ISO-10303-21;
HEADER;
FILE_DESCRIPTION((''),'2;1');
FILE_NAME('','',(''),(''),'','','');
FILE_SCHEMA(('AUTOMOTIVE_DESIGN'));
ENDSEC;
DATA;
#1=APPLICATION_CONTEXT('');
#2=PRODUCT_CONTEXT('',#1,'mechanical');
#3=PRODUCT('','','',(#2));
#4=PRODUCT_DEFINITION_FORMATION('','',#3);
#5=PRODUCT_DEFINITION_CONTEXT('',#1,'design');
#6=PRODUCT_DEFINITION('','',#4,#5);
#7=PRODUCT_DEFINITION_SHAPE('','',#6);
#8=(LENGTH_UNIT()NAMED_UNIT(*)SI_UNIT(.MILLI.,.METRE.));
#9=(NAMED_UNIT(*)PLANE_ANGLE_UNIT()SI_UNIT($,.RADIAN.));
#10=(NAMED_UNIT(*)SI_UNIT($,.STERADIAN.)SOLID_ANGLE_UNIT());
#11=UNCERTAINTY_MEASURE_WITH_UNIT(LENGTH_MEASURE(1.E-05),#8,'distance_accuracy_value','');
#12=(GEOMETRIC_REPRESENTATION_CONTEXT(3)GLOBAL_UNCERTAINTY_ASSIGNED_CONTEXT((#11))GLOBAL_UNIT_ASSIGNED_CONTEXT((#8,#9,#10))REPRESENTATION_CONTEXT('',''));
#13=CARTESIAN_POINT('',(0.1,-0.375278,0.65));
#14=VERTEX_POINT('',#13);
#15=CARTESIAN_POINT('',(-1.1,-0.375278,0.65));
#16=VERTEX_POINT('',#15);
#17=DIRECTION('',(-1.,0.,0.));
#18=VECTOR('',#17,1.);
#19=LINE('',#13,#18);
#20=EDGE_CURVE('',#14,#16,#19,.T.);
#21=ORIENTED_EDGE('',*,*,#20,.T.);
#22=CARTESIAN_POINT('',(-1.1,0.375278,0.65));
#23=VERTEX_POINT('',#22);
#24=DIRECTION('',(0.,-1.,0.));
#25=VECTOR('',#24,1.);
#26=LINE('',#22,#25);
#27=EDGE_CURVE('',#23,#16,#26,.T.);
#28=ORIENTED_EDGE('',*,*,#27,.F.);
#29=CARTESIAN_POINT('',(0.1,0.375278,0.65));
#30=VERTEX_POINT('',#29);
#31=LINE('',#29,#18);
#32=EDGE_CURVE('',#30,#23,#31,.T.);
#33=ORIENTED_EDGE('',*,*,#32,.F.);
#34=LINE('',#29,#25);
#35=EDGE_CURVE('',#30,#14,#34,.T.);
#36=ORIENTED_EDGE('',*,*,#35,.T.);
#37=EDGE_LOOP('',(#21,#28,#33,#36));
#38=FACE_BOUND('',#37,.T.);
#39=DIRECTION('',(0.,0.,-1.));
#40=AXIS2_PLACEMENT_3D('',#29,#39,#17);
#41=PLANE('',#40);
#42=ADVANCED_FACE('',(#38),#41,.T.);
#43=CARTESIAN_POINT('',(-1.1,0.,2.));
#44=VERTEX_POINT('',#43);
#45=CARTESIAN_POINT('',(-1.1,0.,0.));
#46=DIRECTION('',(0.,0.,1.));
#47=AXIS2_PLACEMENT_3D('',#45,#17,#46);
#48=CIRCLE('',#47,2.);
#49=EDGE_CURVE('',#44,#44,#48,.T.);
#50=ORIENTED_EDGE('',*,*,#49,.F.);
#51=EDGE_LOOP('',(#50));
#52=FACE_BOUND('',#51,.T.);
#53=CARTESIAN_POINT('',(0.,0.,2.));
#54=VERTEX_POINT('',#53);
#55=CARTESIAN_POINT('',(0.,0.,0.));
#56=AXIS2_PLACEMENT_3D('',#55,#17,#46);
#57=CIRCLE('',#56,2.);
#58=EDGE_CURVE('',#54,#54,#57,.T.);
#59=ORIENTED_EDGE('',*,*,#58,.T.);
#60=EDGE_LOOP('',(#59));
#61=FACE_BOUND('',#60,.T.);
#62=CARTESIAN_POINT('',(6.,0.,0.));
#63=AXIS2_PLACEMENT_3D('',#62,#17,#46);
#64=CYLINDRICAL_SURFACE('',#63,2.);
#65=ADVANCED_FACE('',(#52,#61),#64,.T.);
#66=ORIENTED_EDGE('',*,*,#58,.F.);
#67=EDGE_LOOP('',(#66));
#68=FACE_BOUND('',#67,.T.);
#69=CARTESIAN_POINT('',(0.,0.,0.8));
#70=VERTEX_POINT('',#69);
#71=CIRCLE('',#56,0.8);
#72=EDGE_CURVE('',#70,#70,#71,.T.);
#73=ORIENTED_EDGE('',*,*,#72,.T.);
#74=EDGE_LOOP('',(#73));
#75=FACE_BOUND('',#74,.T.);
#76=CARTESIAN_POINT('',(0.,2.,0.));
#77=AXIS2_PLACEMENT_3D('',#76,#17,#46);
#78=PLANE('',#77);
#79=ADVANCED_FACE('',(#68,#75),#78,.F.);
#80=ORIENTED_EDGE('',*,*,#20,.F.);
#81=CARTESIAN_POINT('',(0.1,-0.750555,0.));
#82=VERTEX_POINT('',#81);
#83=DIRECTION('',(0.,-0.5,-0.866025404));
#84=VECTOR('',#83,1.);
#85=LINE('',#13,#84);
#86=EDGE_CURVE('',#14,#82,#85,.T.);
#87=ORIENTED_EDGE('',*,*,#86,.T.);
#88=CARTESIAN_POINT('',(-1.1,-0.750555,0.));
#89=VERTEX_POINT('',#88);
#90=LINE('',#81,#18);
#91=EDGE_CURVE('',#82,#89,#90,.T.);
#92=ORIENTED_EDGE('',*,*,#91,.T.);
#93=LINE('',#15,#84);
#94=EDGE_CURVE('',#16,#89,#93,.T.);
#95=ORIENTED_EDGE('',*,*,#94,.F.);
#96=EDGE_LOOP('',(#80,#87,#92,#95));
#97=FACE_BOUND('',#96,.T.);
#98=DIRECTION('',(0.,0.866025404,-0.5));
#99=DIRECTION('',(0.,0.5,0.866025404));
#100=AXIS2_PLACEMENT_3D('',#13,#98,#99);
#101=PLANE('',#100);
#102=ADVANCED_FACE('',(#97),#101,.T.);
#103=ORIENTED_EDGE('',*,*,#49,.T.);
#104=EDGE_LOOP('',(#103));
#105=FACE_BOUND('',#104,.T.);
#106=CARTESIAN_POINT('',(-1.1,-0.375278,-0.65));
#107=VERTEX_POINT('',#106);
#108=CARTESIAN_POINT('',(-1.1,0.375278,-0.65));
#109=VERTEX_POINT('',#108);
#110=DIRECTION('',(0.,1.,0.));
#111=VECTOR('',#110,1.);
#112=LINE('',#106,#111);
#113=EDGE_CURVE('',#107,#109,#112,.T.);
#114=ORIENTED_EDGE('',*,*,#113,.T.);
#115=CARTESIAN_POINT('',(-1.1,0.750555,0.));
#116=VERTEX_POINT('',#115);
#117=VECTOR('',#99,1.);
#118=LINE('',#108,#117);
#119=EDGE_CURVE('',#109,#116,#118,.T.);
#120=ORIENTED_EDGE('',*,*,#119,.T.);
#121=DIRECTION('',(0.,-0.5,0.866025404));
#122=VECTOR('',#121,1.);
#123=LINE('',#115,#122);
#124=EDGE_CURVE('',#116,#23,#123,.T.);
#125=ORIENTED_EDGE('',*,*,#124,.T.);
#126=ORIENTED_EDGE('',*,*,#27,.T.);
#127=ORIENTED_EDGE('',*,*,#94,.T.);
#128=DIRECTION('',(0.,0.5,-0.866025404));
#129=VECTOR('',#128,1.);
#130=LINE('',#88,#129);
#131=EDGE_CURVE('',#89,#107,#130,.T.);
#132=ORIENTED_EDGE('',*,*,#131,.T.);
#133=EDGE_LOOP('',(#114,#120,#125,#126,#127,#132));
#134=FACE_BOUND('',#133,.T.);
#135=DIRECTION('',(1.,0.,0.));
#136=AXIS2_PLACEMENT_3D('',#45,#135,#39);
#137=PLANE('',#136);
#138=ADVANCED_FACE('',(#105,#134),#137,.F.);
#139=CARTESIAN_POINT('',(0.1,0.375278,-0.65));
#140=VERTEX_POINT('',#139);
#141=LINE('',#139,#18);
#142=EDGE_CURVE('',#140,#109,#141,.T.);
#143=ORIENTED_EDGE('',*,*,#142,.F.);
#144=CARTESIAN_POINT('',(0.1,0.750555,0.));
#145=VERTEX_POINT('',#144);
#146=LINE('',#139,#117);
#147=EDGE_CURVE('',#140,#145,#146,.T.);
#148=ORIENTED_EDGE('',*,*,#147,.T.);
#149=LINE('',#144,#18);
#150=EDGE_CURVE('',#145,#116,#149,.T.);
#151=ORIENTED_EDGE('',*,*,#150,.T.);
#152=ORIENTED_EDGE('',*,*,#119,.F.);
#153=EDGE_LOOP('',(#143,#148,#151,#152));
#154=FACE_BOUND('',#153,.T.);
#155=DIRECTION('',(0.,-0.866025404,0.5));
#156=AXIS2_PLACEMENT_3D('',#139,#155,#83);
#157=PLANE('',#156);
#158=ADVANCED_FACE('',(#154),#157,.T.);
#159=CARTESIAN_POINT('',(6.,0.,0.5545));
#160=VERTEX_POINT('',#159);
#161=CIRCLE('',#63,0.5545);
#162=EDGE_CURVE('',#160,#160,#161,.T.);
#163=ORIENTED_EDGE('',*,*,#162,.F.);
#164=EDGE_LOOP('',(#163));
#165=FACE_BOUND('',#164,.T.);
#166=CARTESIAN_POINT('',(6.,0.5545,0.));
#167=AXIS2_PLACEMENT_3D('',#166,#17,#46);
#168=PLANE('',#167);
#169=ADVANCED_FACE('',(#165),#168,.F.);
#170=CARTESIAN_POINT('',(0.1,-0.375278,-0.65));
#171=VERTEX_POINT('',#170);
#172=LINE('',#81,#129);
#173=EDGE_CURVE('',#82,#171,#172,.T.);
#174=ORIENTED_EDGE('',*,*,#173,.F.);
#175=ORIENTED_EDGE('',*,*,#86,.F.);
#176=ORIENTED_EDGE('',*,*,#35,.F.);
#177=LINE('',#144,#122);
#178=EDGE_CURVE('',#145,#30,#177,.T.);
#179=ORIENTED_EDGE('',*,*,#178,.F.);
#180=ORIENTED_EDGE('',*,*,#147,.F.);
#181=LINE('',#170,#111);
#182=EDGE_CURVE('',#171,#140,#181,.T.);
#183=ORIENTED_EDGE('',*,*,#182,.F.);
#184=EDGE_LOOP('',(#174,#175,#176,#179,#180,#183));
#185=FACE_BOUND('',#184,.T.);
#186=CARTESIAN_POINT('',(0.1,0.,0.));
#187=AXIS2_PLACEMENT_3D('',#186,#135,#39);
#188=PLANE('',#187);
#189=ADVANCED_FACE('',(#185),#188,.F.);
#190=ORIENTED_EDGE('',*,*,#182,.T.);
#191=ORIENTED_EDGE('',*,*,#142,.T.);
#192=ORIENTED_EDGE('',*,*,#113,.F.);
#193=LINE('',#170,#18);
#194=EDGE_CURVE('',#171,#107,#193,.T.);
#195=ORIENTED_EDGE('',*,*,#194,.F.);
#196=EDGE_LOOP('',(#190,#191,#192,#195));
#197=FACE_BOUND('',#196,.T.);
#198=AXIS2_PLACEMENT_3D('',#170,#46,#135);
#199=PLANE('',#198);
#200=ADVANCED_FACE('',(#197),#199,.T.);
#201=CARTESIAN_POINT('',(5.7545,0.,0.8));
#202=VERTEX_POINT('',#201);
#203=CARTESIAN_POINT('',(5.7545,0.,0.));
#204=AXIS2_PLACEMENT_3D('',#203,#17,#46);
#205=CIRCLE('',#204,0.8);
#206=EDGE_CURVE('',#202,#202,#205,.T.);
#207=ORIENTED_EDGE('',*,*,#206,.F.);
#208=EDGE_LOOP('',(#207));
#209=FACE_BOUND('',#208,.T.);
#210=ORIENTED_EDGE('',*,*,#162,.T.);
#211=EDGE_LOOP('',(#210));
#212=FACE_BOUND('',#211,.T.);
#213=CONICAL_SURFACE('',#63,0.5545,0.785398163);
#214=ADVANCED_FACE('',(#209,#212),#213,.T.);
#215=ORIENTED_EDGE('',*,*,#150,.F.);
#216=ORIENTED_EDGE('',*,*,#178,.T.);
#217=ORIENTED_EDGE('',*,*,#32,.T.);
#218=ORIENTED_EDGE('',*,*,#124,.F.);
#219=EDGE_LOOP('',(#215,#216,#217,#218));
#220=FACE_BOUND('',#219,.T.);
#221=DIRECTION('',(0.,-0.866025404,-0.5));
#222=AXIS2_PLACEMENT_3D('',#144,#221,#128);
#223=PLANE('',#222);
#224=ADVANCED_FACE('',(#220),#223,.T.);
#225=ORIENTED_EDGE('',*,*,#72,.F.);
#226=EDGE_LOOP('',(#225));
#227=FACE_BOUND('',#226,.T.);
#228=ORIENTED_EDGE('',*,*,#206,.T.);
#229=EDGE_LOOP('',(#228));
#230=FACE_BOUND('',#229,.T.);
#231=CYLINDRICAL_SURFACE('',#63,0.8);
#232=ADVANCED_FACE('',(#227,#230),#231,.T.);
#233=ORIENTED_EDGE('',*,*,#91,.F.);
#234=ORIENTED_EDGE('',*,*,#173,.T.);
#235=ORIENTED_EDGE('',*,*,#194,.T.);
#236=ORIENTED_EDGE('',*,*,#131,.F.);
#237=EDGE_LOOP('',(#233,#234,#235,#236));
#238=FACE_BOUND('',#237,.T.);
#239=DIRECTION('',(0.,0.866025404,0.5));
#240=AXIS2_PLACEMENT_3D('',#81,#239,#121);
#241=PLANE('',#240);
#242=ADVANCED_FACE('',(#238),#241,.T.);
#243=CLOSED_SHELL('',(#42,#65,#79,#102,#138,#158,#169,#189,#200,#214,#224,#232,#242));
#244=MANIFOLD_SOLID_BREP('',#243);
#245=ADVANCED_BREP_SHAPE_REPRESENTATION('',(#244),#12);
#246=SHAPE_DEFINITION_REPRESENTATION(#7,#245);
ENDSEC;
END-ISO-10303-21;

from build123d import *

# Parameters (mm, degrees)
CUT_EXTRUDE1_DEPTH = 1.2


with BuildPart() as part:
    # Sketch1 → Revolve1 (revolve)
    with BuildSketch(Plane.XY):
        Polygon((-1.1, 0), (-1.1, 2), (0, 2), (0, 0.8), (5.7545, 0.8), (6, 0.5545), (6, 0), align=None)
    revolve(axis=Axis((6, 0, 0), (-1, 0, 0)))

    # Sketch2 → Cut-Extrude1 (cut)
    with BuildSketch(Plane(origin=(-1.1, 0, 0), x_dir=(0, 0, -1), z_dir=(1, 0, 0))):
        Polygon((-0.65, -0.375277675), (0, -0.75055535), (0.65, -0.375277675), (0.65, 0.375277675), (0, 0.75055535), (-0.65, 0.375277675), align=None)
    extrude(amount=CUT_EXTRUDE1_DEPTH, mode=Mode.SUBTRACT)


solid = part.part
